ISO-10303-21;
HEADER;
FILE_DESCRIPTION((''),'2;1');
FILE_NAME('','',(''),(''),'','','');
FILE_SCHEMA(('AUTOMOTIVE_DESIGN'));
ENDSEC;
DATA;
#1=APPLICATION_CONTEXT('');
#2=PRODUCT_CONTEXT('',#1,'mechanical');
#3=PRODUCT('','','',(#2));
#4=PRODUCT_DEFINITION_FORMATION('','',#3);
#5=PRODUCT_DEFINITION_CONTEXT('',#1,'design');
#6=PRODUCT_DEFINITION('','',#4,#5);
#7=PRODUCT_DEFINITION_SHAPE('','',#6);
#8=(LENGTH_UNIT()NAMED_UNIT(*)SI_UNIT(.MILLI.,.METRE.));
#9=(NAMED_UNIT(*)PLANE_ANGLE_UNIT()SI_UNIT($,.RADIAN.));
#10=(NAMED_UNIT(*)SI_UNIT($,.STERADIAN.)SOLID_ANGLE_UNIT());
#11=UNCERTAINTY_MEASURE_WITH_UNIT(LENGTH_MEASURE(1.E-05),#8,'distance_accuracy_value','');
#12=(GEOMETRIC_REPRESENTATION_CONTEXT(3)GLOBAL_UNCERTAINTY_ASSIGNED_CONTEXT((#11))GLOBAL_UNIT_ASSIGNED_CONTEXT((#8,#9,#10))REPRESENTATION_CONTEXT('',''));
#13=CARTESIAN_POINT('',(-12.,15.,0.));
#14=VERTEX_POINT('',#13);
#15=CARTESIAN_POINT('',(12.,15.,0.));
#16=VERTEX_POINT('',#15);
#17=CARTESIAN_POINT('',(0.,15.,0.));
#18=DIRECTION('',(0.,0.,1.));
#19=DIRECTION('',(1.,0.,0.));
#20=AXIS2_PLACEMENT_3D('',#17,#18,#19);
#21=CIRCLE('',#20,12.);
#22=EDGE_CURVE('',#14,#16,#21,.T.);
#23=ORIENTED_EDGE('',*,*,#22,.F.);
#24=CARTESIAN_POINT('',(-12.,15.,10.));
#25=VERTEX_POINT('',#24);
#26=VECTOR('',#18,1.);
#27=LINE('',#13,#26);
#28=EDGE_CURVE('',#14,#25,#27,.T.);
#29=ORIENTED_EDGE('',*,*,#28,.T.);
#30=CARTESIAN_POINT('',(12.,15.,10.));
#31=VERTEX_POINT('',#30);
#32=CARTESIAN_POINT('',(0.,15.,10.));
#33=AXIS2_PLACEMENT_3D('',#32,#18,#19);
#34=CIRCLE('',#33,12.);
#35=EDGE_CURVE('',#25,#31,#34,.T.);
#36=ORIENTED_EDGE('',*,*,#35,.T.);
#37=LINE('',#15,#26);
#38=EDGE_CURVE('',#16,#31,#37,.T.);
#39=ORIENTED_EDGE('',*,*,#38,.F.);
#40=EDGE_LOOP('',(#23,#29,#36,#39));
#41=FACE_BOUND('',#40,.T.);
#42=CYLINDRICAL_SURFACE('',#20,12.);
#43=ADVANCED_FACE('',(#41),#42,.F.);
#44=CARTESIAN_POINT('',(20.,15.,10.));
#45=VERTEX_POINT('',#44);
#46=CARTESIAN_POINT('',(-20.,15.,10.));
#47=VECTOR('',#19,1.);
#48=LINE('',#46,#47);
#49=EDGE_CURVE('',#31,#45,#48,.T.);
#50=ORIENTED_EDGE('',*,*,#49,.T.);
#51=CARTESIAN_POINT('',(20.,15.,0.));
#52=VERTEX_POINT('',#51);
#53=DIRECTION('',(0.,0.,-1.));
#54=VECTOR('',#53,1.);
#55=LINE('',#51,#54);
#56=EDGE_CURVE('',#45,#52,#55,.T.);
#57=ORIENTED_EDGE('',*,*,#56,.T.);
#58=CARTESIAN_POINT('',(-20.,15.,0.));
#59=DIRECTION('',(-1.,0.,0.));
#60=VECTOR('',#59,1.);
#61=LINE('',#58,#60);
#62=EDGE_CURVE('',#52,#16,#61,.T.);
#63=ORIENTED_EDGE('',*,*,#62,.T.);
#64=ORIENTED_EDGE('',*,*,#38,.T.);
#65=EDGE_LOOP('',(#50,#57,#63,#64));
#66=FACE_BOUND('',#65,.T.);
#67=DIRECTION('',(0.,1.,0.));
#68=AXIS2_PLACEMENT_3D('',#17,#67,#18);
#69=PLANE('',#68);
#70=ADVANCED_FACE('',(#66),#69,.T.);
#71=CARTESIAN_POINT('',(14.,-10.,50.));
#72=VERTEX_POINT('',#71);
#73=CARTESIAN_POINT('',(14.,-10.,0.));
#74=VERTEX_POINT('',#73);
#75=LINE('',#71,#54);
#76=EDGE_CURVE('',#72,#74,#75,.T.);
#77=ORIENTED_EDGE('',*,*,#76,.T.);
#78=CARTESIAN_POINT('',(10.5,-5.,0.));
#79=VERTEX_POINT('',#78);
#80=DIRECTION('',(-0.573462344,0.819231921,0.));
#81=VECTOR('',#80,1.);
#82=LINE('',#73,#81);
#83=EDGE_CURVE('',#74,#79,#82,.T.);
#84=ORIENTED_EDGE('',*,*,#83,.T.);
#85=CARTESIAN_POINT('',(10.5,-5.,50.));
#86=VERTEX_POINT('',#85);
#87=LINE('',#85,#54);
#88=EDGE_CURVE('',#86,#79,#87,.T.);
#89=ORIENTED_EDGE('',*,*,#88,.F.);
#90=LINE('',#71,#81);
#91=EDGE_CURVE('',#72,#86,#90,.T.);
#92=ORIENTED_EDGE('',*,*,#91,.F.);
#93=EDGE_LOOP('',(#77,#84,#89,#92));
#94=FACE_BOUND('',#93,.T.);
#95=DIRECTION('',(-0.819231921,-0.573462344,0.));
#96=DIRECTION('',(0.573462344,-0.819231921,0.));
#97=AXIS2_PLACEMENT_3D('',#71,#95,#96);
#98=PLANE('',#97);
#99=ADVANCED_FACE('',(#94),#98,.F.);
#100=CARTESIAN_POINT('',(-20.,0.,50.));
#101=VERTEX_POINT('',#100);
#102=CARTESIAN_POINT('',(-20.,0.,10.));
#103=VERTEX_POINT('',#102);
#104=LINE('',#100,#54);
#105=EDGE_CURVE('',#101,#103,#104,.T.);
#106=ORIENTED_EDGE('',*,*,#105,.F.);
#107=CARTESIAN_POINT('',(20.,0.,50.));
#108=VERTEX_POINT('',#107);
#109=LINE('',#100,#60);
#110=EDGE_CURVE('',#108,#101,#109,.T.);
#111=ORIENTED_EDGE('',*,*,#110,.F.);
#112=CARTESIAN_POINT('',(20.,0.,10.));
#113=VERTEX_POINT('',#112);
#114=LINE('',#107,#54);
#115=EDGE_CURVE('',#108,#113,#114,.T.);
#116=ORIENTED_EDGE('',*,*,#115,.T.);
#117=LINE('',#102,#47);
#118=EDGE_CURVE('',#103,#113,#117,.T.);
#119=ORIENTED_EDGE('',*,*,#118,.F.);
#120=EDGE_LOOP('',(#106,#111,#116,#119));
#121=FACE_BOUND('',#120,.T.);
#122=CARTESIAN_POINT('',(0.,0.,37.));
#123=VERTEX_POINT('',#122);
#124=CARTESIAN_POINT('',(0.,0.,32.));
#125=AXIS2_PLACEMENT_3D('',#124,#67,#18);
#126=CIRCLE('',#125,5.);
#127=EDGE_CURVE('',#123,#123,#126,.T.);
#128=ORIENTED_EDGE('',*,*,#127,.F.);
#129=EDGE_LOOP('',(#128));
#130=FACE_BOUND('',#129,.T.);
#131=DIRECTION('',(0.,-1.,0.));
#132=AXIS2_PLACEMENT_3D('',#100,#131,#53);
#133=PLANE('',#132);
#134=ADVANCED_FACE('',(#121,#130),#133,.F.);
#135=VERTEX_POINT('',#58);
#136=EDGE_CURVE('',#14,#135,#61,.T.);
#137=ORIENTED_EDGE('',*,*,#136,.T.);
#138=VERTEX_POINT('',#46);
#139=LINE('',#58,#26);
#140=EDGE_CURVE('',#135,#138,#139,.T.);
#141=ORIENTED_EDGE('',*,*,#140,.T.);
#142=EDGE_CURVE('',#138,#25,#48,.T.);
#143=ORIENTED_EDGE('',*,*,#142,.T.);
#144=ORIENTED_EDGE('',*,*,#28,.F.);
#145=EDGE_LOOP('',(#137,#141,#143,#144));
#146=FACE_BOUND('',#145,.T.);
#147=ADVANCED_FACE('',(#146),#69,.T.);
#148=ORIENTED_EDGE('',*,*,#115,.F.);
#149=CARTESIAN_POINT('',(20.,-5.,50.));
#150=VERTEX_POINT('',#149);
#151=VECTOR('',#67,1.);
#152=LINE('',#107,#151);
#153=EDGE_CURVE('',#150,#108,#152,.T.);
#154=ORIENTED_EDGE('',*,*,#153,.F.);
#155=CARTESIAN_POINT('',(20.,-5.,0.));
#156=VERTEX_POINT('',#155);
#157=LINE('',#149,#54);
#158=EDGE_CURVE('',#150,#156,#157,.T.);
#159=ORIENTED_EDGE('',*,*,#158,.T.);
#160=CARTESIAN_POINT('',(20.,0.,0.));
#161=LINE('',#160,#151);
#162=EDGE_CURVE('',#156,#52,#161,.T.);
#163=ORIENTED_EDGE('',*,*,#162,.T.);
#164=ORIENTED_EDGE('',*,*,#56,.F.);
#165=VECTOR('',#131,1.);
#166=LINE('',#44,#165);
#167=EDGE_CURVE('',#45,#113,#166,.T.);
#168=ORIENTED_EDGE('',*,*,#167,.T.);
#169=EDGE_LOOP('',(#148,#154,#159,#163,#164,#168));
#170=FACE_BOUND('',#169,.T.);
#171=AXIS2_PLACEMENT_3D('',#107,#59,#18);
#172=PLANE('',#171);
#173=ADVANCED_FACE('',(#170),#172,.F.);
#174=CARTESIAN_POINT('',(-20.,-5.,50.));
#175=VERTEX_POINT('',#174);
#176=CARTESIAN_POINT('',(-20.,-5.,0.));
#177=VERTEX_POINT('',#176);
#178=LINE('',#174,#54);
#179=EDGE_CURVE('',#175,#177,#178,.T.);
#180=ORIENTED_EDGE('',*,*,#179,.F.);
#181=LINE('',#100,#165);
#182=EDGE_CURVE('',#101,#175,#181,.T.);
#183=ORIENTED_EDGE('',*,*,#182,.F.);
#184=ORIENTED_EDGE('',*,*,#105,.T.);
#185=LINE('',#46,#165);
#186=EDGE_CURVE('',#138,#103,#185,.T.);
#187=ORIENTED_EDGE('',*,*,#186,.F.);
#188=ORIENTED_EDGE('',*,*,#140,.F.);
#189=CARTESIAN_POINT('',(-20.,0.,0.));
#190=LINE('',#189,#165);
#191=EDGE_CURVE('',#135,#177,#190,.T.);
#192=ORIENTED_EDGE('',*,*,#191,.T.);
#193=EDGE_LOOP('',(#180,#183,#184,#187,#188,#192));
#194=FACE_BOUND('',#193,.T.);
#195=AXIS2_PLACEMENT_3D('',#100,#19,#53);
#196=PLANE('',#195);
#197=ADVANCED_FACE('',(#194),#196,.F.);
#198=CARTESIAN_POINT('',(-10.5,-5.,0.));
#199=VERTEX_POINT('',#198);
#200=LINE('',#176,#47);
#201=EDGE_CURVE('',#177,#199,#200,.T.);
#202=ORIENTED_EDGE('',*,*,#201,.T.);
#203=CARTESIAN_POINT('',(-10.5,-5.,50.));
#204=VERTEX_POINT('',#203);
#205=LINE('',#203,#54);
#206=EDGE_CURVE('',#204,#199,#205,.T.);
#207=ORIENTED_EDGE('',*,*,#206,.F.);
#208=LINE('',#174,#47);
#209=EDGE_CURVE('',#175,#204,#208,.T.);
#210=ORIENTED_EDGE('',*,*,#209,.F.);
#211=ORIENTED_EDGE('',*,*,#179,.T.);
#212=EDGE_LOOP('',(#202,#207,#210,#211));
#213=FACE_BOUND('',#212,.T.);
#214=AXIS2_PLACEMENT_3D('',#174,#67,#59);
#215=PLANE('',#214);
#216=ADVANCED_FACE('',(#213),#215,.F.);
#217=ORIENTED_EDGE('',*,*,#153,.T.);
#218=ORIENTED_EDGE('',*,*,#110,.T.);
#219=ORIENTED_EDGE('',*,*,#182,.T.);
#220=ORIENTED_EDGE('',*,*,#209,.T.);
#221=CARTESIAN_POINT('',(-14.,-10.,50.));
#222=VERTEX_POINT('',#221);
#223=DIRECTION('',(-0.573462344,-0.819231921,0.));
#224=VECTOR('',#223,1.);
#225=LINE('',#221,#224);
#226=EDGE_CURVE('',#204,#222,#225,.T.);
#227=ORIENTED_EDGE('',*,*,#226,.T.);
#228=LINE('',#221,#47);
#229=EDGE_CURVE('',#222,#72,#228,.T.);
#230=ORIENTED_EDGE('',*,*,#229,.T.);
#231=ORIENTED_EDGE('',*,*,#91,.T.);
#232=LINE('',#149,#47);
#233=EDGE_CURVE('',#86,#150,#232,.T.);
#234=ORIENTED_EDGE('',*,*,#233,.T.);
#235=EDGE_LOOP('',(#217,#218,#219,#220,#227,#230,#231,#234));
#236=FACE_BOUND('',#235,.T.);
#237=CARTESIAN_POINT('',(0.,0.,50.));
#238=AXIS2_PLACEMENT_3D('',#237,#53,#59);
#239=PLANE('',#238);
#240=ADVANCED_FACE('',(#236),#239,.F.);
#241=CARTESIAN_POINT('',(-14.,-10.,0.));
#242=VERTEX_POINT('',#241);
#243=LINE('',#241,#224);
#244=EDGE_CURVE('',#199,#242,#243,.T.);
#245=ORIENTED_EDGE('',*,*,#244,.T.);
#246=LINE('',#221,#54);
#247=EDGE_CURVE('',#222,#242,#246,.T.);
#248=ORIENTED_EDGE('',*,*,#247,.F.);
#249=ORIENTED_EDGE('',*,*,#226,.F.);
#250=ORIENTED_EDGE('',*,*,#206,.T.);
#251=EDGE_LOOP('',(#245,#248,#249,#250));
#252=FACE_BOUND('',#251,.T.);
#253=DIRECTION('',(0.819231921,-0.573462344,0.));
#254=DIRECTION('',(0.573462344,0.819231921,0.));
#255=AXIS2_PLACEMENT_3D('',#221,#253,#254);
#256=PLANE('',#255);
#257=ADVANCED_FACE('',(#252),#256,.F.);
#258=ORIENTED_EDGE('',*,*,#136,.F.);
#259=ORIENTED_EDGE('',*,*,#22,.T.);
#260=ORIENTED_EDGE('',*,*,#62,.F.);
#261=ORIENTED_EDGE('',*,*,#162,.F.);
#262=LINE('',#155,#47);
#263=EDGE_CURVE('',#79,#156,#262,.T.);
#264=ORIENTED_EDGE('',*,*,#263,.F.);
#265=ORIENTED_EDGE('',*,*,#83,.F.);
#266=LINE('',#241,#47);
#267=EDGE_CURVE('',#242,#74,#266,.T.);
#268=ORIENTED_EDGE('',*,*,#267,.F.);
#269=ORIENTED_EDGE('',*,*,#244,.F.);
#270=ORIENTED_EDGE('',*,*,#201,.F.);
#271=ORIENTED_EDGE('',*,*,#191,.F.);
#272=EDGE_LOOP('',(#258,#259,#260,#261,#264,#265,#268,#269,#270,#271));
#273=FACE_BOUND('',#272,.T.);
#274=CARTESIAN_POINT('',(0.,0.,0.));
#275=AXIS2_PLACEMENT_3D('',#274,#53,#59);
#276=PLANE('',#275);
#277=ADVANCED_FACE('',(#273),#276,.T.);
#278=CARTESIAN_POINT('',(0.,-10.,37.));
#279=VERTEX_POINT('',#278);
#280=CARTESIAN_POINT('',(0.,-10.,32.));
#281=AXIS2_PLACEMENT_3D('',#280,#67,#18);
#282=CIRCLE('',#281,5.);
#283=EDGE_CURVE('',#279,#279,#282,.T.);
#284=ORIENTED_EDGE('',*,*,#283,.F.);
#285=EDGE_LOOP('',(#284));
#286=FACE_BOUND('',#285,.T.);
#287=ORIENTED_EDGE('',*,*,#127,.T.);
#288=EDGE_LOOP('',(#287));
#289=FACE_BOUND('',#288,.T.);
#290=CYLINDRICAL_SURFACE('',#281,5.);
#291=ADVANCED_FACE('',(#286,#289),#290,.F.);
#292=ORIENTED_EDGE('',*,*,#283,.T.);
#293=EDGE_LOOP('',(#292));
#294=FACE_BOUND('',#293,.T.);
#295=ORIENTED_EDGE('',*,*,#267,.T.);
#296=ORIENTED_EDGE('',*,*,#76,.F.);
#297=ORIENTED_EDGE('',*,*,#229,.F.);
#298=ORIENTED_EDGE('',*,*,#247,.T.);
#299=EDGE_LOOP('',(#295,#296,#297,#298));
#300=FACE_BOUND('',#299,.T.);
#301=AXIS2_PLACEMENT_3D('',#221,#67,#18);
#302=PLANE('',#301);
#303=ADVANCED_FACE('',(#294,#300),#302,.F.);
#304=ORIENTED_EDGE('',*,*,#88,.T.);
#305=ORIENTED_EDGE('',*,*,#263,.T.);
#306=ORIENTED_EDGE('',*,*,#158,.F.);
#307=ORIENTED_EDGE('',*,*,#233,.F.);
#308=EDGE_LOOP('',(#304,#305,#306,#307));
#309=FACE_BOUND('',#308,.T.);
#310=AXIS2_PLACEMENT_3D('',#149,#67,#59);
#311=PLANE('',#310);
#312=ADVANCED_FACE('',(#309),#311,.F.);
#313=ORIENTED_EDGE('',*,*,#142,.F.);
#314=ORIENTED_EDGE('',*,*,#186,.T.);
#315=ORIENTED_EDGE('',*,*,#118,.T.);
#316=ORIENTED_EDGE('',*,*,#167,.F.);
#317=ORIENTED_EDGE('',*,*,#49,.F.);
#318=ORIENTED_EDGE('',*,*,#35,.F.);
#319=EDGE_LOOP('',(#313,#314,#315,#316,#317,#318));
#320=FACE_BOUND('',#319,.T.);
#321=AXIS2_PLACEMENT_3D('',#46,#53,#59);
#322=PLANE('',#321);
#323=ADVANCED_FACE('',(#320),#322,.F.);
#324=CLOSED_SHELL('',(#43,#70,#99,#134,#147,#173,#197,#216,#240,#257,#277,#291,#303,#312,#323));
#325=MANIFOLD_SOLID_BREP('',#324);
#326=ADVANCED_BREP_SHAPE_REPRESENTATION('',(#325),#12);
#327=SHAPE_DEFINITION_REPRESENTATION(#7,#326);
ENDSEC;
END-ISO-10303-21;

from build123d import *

# Parameters (mm, degrees)
EXTRUDE_1_DEPTH     = 50
SKETCH_2_R          = 5
CUT_EXTRUDE_1_DEPTH = 55.772255751
SKETCH_3_W          = 40
SKETCH_3_H          = 10
EXTRUDE_3_DEPTH     = 15
CUT_EXTRUDE_2_DEPTH = 48.16990566


with BuildPart() as part:
    # 草图1 → 凸台-拉伸1 (new body)
    with BuildSketch(Plane.XY):
        Polygon((-20, 0), (20, 0), (20, -5), (10.5, -5), (14, -10), (-14, -10), (-10.5, -5), (-20, -5), align=None)
    extrude(amount=EXTRUDE_1_DEPTH)

    # 草图2 → 切除-拉伸1 (cut, through all)
    with BuildSketch(Plane(origin=(0, 0, 0), x_dir=(1, 0, 0), z_dir=(0, 1, 0))):
        with Locations(Location((0, -32, 0), (0, 0, 270))):
            Circle(SKETCH_2_R)
    extrude(amount=-CUT_EXTRUDE_1_DEPTH, mode=Mode.SUBTRACT)

    # 草图3 → 凸台-拉伸3 (add)
    with BuildSketch(Plane(origin=(0, 0, 0), x_dir=(1, 0, 0), z_dir=(0, 1, 0))):
        with Locations((0, -5)):
            Rectangle(SKETCH_3_W, SKETCH_3_H)
    extrude(amount=EXTRUDE_3_DEPTH)

    # 草图4 → 切除-拉伸2 (cut, through all)
    with BuildSketch(Plane.XY.offset(10)):
        with BuildLine():
            Line((-12, 15), (12, 15))
            ThreePointArc((12, 15), (0, 3), (-12, 15))
        make_face()
    extrude(amount=-CUT_EXTRUDE_2_DEPTH, mode=Mode.SUBTRACT)


solid = part.part
